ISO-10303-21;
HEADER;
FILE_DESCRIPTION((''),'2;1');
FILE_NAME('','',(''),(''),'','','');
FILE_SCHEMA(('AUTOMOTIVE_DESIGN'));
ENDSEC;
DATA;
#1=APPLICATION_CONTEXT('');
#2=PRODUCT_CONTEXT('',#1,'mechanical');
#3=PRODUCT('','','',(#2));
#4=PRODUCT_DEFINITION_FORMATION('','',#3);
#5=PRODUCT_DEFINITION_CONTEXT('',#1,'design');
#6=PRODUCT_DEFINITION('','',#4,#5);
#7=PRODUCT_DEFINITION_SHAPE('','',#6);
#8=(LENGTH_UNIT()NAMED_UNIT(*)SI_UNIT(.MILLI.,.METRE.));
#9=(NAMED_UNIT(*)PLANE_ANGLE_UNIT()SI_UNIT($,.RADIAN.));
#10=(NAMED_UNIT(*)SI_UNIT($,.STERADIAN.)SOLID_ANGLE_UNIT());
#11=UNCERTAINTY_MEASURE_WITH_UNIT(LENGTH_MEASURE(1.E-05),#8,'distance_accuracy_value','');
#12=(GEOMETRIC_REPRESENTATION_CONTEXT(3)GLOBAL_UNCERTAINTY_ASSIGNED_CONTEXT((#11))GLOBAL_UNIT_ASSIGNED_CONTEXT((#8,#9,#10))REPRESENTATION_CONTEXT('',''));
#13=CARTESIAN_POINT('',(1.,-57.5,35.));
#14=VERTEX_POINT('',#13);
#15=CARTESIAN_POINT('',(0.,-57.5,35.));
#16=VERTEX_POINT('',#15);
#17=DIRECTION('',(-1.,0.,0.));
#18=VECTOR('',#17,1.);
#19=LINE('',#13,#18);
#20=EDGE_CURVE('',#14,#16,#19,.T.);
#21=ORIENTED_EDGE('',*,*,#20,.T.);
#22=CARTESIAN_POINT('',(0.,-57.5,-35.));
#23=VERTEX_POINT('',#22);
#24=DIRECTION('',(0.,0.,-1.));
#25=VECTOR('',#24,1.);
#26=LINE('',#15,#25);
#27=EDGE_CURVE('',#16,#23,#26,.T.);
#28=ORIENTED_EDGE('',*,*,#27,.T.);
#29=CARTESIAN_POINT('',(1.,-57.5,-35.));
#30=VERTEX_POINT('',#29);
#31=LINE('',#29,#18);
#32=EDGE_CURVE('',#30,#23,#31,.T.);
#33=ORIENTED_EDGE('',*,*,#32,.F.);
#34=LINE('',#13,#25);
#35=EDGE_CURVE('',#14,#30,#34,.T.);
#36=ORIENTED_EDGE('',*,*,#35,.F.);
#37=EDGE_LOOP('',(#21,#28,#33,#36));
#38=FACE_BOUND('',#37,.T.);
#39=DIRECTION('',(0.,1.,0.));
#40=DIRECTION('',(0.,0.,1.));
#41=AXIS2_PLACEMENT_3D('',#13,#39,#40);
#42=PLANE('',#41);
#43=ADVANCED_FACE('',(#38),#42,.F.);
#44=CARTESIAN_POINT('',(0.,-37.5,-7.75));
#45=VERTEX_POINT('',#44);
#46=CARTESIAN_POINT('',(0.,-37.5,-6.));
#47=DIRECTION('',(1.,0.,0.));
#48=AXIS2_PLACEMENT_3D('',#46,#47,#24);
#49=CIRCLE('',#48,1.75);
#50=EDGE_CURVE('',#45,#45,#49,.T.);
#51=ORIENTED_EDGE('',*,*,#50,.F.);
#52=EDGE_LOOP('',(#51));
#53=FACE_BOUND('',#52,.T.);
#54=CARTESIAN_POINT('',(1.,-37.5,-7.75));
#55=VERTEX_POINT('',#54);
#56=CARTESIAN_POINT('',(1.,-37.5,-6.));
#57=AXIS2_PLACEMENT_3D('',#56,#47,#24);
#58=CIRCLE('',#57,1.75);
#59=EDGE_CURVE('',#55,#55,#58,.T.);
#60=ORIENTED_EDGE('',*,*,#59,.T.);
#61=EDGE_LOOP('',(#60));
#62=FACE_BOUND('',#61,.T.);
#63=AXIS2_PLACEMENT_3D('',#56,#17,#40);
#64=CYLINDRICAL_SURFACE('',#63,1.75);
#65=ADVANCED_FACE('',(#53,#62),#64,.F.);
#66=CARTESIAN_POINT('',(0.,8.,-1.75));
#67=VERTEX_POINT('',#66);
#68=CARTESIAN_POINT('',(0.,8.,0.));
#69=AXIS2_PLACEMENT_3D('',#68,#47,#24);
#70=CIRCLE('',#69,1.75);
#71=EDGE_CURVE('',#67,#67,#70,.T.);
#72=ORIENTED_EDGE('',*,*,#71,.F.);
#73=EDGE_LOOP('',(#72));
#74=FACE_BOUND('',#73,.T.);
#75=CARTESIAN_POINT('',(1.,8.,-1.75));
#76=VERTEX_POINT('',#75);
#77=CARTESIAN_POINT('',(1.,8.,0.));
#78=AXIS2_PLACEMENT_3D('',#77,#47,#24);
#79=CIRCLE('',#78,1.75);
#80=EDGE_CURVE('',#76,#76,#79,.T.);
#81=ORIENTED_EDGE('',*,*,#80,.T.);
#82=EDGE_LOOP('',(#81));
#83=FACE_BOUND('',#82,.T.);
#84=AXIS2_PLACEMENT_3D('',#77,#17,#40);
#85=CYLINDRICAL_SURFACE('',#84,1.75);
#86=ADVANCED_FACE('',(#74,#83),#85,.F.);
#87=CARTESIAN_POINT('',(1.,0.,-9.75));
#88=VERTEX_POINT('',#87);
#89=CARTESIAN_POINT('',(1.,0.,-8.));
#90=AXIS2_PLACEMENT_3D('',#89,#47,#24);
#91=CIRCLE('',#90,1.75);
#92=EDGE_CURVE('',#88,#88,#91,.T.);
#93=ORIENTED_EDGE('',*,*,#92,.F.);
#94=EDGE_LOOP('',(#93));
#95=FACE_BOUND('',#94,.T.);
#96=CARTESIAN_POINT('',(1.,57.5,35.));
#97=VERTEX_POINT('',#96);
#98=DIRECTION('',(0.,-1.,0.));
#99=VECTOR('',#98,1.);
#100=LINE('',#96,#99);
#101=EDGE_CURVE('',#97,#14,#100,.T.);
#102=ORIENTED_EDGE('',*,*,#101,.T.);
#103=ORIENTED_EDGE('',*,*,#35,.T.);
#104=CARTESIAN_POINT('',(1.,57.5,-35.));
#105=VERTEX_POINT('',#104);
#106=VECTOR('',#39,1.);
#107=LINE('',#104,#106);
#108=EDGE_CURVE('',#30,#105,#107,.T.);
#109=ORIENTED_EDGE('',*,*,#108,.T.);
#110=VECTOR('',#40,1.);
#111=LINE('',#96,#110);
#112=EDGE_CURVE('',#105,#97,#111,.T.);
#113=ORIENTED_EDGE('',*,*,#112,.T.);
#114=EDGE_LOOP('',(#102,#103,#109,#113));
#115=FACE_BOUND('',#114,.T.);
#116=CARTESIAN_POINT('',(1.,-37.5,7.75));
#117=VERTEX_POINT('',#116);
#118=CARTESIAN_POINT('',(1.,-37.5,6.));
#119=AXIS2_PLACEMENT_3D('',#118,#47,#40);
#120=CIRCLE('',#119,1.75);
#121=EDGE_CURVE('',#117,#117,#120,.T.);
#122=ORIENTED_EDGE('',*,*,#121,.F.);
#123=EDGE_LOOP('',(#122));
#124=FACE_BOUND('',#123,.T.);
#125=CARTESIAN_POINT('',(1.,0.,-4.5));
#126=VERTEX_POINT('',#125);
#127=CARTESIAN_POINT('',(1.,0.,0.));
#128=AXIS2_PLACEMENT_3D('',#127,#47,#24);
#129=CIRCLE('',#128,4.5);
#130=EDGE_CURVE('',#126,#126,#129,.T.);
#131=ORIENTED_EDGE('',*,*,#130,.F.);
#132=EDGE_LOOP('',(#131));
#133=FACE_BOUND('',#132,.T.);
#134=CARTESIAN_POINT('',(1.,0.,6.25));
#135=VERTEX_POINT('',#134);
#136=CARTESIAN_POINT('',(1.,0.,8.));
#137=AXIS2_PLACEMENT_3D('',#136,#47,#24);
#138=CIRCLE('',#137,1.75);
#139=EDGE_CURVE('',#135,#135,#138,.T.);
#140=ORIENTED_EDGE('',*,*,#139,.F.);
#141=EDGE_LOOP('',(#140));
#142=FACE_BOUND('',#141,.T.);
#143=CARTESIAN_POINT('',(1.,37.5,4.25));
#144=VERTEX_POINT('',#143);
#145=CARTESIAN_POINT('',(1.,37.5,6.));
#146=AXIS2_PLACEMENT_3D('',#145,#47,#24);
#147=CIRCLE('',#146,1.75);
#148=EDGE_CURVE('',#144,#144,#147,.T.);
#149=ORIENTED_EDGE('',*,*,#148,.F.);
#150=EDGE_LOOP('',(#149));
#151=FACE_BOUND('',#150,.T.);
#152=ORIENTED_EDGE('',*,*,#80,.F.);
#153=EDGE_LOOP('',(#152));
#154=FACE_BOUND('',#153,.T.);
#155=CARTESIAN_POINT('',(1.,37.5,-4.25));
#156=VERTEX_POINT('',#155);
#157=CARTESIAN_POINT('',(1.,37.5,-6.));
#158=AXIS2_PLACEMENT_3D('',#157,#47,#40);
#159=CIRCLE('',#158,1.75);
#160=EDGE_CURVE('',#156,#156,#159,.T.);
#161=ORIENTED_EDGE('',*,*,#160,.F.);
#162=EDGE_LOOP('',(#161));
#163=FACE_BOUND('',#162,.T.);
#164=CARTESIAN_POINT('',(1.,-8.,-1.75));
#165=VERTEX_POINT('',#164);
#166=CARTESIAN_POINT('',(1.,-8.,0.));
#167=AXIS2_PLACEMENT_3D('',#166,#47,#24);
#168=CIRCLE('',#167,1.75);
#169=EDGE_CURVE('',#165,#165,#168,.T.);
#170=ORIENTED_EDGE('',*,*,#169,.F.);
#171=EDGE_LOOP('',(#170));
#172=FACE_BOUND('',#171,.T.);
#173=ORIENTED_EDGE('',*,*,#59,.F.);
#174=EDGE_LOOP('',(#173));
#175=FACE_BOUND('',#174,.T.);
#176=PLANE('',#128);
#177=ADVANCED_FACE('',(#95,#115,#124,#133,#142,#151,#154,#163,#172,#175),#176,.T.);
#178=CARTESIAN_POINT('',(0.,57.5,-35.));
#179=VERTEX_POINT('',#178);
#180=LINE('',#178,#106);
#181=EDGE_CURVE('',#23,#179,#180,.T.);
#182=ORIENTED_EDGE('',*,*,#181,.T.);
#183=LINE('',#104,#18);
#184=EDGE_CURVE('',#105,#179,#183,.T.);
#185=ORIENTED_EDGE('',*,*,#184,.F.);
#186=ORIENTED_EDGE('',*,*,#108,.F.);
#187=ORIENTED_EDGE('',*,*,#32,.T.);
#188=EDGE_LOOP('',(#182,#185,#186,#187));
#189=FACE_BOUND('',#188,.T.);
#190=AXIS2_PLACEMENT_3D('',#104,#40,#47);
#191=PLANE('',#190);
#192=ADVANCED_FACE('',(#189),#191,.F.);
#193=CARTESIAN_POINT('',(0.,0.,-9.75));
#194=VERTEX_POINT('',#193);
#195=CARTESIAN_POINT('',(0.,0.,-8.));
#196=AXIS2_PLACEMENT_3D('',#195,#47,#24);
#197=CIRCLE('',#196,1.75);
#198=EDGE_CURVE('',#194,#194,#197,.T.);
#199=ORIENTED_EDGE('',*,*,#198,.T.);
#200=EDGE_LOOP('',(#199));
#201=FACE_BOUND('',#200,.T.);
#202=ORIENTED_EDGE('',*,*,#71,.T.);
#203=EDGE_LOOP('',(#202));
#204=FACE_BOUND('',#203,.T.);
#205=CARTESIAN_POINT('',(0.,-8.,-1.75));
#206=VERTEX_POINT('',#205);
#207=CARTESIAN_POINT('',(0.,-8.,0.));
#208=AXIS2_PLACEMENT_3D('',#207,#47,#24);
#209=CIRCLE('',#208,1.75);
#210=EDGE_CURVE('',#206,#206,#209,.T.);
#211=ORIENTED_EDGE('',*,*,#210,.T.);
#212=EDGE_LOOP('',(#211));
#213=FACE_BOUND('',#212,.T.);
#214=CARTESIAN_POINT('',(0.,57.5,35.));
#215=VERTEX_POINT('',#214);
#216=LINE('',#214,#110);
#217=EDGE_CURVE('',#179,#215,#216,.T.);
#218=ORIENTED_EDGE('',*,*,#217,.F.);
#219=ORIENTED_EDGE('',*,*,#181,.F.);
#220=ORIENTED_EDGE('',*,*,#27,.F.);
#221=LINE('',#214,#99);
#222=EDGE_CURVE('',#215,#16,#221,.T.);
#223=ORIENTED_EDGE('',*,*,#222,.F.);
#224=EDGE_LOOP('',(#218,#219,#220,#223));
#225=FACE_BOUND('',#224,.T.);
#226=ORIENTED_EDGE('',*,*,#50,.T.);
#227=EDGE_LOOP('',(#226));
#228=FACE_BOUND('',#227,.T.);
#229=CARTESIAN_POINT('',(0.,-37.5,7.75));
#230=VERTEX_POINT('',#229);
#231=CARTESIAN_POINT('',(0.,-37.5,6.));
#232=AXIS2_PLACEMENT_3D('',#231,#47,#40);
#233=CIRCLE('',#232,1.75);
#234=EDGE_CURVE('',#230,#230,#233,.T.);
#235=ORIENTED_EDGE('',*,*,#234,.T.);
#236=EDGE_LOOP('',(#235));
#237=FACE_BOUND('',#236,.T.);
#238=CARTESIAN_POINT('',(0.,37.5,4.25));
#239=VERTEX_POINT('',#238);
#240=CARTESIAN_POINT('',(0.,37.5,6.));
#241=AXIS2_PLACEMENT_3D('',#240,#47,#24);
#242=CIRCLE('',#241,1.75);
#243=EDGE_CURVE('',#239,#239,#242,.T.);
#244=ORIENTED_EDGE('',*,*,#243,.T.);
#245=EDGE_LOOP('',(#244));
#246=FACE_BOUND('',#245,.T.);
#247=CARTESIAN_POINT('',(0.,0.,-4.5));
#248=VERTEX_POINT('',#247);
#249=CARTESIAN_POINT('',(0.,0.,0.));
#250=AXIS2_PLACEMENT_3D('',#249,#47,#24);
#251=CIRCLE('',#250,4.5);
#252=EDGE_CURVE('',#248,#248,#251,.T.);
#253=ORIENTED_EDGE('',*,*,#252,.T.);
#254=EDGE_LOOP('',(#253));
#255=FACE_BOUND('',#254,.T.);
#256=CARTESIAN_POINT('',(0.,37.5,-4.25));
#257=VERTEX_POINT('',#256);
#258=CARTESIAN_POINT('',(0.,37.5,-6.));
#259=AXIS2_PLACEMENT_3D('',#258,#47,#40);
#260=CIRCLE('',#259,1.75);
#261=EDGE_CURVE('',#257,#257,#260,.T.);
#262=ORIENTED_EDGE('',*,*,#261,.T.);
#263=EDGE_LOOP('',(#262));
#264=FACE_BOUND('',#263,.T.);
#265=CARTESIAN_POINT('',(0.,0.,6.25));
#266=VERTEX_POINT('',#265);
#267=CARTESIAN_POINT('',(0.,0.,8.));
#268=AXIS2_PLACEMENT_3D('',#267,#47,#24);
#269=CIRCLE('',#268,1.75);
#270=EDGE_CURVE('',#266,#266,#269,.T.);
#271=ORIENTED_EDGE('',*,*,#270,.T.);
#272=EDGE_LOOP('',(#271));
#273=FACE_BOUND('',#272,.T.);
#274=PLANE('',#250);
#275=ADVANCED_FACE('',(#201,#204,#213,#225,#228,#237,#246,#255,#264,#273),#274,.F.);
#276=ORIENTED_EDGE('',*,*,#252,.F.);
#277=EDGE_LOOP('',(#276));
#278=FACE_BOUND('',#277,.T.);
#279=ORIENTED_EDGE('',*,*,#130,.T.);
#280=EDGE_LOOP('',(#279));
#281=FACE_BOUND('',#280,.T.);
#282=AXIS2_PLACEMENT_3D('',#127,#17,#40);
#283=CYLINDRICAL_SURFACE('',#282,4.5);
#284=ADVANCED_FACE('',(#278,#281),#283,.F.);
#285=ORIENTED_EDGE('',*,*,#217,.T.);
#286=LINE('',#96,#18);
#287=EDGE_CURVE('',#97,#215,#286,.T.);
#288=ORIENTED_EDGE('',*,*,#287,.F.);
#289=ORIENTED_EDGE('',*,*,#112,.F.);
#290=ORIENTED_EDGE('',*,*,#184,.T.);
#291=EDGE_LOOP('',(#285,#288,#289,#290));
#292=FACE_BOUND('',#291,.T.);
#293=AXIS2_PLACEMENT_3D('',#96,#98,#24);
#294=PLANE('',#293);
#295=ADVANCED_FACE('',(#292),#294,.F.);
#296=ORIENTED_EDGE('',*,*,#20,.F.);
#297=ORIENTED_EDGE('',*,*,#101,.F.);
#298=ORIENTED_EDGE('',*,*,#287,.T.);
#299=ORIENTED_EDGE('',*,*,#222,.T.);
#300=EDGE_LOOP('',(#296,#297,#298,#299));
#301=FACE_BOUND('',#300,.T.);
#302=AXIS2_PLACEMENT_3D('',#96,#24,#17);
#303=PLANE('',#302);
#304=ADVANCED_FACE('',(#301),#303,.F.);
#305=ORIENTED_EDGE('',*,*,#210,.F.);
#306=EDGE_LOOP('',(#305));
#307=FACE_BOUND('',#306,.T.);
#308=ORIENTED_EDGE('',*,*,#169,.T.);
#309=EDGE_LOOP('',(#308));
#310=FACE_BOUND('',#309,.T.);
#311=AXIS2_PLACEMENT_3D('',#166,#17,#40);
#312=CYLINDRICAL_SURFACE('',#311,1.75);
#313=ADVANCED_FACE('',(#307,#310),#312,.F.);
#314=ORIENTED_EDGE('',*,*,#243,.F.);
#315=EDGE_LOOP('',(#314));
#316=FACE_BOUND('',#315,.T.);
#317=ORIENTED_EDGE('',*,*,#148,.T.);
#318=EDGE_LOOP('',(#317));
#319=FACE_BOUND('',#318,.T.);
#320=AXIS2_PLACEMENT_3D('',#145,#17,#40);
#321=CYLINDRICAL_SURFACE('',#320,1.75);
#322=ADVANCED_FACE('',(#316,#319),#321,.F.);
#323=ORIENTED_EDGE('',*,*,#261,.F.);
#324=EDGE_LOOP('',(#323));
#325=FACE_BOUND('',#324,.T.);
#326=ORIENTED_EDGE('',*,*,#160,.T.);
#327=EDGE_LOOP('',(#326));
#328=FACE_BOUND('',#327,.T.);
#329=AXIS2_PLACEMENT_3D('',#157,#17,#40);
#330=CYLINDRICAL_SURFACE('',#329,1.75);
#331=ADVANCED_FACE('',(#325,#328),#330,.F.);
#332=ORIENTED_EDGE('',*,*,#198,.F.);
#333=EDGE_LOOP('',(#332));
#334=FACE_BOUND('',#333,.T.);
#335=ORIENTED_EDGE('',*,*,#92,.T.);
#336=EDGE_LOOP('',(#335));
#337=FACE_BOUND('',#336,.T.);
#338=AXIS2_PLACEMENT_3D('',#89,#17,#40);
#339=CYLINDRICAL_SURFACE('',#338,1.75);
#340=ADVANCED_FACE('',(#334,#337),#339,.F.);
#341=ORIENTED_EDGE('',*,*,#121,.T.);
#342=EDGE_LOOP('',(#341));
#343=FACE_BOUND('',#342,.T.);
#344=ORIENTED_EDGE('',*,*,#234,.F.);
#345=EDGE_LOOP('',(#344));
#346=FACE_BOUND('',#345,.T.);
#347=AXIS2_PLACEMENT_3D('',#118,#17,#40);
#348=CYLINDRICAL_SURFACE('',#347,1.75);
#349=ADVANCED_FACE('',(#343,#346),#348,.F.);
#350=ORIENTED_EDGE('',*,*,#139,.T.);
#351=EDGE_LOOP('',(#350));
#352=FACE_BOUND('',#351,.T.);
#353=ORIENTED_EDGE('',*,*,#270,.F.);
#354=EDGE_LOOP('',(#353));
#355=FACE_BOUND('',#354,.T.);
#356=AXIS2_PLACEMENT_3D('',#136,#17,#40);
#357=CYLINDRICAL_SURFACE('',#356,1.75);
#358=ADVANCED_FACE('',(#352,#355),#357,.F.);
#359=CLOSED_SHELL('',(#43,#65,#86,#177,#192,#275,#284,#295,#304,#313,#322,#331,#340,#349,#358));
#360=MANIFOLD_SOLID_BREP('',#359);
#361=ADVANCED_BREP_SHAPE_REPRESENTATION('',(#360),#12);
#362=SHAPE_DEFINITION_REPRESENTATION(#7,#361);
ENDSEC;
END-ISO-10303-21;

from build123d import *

# Parameters (mm, degrees)
SKETCH1_W           = 70
SKETCH1_H           = 115
SKETCH1_R           = 4.5
SKETCH1_R_2         = 1.75
BOSS_EXTRUDE1_DEPTH = 1


with BuildPart() as part:
    # Sketch1 → Boss-Extrude1 (new body)
    with BuildSketch(Plane(origin=(0, 0, 0), x_dir=(0, 0, -1), z_dir=(1, 0, 0))):
        Rectangle(SKETCH1_W, SKETCH1_H)
        Circle(SKETCH1_R, mode=Mode.SUBTRACT)
        with Locations((0, 8)):
            Circle(SKETCH1_R_2, mode=Mode.SUBTRACT)
        with Locations((8, 0)):
            Circle(SKETCH1_R_2, mode=Mode.SUBTRACT)
        with Locations((0, -8)):
            Circle(SKETCH1_R_2, mode=Mode.SUBTRACT)
        with Locations((-8, 0)):
            Circle(SKETCH1_R_2, mode=Mode.SUBTRACT)
        with Locations((-6, 37.5)):
            Circle(SKETCH1_R_2, mode=Mode.SUBTRACT)
        with Locations(Location((6, 37.5, 0), (0, 0, 180))):
            Circle(SKETCH1_R_2, mode=Mode.SUBTRACT)
        with Locations((6, -37.5)):
            Circle(SKETCH1_R_2, mode=Mode.SUBTRACT)
        with Locations(Location((-6, -37.5, 0), (0, 0, 180))):
            Circle(SKETCH1_R_2, mode=Mode.SUBTRACT)
    extrude(amount=BOSS_EXTRUDE1_DEPTH)


solid = part.part
